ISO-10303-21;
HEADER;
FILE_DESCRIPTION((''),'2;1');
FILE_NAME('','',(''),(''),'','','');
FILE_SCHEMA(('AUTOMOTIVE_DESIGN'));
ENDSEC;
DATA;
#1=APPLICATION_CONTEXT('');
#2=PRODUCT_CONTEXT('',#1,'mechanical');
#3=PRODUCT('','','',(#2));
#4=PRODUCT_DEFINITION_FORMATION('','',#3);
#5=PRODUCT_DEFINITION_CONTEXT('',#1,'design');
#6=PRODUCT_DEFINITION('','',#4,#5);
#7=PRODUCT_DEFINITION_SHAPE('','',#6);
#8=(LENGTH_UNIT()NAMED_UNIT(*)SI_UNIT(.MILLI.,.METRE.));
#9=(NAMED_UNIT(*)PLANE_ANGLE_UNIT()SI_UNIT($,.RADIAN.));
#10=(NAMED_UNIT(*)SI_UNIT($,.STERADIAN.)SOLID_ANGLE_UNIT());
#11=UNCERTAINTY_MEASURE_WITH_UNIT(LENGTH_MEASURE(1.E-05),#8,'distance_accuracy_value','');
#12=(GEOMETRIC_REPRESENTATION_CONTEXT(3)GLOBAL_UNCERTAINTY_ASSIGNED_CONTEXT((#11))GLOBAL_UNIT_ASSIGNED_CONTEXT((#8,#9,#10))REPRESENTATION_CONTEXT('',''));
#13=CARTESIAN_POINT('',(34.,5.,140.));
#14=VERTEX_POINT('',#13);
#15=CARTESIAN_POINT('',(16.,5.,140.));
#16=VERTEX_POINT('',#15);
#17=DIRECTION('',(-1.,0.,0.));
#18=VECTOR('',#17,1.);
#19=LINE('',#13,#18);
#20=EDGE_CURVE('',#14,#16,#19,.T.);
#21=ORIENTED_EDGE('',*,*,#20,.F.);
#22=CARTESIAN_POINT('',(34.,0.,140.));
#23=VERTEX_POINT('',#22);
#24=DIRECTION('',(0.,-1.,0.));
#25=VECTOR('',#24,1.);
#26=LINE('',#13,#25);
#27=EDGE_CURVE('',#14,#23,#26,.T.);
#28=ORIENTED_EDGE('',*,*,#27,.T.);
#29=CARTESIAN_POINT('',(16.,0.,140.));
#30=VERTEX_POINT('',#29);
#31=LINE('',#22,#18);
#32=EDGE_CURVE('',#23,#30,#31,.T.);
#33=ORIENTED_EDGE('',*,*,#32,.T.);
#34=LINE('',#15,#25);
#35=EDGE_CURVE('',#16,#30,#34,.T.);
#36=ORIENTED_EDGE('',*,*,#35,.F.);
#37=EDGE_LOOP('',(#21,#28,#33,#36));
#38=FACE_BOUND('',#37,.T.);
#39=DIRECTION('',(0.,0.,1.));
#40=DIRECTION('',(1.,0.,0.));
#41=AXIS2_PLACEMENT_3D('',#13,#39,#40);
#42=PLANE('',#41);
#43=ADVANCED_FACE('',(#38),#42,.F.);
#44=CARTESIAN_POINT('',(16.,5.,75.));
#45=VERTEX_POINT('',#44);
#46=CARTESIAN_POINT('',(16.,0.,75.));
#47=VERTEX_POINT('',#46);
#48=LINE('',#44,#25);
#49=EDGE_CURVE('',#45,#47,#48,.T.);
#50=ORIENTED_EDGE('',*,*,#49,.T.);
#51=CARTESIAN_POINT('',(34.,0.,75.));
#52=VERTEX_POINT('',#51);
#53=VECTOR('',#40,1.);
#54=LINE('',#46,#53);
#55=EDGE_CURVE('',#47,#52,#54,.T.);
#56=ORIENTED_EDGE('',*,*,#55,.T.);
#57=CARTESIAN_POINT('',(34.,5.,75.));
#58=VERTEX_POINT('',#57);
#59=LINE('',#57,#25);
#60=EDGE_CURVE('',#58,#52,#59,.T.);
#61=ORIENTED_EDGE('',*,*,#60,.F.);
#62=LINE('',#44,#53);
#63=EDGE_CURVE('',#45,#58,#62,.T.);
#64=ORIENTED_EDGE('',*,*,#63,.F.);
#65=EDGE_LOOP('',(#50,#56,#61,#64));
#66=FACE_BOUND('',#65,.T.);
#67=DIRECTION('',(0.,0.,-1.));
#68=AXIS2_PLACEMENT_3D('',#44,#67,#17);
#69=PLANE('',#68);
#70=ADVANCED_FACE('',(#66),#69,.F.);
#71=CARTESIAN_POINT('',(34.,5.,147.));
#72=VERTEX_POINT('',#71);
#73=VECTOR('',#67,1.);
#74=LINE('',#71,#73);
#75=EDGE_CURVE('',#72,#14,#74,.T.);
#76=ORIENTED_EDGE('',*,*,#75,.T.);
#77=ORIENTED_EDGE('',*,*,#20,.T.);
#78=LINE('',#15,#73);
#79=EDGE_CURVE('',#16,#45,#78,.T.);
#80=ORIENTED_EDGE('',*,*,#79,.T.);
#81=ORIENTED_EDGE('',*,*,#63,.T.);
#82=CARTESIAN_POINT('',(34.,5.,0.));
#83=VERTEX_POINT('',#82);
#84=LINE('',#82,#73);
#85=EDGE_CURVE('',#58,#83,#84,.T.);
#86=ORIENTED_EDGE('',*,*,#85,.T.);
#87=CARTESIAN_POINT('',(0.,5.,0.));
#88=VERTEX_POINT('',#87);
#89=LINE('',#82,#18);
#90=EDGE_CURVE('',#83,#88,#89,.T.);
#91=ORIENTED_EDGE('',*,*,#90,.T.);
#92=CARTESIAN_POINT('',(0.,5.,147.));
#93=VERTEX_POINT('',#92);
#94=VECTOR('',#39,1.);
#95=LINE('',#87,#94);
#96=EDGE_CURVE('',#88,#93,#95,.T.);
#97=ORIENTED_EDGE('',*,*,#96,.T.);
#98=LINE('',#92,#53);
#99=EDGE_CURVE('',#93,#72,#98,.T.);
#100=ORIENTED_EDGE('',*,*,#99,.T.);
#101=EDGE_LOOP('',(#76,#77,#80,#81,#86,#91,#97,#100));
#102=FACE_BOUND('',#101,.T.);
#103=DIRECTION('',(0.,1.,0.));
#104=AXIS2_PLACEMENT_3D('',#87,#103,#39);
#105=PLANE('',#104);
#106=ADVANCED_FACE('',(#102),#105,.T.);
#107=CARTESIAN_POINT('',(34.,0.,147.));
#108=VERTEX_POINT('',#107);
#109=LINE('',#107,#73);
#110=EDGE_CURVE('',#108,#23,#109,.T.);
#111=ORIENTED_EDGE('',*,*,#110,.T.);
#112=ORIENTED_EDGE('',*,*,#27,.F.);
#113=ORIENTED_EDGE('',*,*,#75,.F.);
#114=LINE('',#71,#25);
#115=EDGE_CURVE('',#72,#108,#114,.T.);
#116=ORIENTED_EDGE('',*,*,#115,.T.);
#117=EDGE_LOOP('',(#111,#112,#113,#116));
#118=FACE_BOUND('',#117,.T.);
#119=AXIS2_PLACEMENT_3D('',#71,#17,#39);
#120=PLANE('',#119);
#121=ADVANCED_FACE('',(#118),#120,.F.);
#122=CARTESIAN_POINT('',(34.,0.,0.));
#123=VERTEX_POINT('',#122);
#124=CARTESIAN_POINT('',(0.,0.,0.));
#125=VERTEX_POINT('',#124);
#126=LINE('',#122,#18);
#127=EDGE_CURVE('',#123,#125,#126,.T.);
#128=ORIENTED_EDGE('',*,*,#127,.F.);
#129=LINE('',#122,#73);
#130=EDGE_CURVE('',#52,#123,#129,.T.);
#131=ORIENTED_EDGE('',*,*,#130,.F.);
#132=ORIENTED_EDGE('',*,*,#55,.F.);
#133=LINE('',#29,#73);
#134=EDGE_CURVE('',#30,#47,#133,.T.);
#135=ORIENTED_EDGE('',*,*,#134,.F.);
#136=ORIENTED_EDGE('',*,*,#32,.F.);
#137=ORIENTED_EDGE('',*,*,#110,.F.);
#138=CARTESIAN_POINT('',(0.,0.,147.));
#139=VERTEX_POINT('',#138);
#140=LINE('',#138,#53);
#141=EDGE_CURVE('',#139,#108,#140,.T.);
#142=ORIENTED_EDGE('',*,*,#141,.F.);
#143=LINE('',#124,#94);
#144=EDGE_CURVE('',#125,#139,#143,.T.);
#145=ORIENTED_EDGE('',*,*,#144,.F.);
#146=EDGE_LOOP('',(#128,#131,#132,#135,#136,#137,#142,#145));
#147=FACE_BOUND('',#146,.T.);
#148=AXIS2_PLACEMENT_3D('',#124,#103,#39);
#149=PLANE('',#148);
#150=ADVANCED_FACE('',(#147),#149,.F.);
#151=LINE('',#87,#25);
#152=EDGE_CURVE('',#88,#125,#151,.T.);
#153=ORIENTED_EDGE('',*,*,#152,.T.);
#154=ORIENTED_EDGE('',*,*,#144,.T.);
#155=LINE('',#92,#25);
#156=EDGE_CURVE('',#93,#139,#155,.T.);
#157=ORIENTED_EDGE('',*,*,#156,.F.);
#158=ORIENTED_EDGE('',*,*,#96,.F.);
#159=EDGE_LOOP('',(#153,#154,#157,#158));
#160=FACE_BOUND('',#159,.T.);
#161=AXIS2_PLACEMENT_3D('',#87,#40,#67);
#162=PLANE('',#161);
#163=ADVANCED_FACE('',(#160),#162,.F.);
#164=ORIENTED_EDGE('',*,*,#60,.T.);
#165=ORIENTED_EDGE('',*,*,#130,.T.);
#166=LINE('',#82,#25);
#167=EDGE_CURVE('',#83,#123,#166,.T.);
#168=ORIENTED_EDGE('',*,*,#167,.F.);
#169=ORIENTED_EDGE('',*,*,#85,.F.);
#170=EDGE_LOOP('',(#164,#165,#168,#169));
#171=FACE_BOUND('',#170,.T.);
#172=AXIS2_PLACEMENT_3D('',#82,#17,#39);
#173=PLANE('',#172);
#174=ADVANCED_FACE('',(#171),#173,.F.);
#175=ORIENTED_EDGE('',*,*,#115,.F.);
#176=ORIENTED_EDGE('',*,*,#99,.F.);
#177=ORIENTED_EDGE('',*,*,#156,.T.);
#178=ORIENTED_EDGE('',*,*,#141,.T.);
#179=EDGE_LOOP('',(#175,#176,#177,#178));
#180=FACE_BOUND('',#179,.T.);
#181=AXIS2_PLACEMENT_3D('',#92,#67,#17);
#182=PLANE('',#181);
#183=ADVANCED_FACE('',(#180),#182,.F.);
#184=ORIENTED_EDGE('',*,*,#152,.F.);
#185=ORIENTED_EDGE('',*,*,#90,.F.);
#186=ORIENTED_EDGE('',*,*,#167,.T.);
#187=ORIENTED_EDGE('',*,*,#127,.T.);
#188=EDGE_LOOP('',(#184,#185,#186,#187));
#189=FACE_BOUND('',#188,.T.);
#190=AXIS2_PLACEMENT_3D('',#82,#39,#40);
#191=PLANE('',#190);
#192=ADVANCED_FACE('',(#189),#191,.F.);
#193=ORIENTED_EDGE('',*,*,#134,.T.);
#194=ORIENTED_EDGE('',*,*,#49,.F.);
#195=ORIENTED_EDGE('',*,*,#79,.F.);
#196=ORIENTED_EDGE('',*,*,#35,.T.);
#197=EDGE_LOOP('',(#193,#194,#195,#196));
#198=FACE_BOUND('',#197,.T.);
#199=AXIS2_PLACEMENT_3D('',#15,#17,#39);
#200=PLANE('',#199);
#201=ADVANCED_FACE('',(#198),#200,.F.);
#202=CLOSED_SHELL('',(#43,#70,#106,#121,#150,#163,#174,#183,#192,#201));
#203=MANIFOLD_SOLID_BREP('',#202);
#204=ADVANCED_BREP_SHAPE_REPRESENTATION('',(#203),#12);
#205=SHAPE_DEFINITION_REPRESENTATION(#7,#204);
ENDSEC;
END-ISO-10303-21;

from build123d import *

# Parameters (mm, degrees)
BOSS_EXTRUDE1_DEPTH = 5


with BuildPart() as part:
    # Sketch1 → Boss-Extrude1 (new body)
    with BuildSketch(Plane(origin=(0, 0, 0), x_dir=(1, 0, 0), z_dir=(0, 1, 0))):
        Polygon((0, 0), (0, -147), (34, -147), (34, -140), (16, -140), (16, -75), (34, -75), (34, 0), align=None)
    extrude(amount=BOSS_EXTRUDE1_DEPTH)


solid = part.part
